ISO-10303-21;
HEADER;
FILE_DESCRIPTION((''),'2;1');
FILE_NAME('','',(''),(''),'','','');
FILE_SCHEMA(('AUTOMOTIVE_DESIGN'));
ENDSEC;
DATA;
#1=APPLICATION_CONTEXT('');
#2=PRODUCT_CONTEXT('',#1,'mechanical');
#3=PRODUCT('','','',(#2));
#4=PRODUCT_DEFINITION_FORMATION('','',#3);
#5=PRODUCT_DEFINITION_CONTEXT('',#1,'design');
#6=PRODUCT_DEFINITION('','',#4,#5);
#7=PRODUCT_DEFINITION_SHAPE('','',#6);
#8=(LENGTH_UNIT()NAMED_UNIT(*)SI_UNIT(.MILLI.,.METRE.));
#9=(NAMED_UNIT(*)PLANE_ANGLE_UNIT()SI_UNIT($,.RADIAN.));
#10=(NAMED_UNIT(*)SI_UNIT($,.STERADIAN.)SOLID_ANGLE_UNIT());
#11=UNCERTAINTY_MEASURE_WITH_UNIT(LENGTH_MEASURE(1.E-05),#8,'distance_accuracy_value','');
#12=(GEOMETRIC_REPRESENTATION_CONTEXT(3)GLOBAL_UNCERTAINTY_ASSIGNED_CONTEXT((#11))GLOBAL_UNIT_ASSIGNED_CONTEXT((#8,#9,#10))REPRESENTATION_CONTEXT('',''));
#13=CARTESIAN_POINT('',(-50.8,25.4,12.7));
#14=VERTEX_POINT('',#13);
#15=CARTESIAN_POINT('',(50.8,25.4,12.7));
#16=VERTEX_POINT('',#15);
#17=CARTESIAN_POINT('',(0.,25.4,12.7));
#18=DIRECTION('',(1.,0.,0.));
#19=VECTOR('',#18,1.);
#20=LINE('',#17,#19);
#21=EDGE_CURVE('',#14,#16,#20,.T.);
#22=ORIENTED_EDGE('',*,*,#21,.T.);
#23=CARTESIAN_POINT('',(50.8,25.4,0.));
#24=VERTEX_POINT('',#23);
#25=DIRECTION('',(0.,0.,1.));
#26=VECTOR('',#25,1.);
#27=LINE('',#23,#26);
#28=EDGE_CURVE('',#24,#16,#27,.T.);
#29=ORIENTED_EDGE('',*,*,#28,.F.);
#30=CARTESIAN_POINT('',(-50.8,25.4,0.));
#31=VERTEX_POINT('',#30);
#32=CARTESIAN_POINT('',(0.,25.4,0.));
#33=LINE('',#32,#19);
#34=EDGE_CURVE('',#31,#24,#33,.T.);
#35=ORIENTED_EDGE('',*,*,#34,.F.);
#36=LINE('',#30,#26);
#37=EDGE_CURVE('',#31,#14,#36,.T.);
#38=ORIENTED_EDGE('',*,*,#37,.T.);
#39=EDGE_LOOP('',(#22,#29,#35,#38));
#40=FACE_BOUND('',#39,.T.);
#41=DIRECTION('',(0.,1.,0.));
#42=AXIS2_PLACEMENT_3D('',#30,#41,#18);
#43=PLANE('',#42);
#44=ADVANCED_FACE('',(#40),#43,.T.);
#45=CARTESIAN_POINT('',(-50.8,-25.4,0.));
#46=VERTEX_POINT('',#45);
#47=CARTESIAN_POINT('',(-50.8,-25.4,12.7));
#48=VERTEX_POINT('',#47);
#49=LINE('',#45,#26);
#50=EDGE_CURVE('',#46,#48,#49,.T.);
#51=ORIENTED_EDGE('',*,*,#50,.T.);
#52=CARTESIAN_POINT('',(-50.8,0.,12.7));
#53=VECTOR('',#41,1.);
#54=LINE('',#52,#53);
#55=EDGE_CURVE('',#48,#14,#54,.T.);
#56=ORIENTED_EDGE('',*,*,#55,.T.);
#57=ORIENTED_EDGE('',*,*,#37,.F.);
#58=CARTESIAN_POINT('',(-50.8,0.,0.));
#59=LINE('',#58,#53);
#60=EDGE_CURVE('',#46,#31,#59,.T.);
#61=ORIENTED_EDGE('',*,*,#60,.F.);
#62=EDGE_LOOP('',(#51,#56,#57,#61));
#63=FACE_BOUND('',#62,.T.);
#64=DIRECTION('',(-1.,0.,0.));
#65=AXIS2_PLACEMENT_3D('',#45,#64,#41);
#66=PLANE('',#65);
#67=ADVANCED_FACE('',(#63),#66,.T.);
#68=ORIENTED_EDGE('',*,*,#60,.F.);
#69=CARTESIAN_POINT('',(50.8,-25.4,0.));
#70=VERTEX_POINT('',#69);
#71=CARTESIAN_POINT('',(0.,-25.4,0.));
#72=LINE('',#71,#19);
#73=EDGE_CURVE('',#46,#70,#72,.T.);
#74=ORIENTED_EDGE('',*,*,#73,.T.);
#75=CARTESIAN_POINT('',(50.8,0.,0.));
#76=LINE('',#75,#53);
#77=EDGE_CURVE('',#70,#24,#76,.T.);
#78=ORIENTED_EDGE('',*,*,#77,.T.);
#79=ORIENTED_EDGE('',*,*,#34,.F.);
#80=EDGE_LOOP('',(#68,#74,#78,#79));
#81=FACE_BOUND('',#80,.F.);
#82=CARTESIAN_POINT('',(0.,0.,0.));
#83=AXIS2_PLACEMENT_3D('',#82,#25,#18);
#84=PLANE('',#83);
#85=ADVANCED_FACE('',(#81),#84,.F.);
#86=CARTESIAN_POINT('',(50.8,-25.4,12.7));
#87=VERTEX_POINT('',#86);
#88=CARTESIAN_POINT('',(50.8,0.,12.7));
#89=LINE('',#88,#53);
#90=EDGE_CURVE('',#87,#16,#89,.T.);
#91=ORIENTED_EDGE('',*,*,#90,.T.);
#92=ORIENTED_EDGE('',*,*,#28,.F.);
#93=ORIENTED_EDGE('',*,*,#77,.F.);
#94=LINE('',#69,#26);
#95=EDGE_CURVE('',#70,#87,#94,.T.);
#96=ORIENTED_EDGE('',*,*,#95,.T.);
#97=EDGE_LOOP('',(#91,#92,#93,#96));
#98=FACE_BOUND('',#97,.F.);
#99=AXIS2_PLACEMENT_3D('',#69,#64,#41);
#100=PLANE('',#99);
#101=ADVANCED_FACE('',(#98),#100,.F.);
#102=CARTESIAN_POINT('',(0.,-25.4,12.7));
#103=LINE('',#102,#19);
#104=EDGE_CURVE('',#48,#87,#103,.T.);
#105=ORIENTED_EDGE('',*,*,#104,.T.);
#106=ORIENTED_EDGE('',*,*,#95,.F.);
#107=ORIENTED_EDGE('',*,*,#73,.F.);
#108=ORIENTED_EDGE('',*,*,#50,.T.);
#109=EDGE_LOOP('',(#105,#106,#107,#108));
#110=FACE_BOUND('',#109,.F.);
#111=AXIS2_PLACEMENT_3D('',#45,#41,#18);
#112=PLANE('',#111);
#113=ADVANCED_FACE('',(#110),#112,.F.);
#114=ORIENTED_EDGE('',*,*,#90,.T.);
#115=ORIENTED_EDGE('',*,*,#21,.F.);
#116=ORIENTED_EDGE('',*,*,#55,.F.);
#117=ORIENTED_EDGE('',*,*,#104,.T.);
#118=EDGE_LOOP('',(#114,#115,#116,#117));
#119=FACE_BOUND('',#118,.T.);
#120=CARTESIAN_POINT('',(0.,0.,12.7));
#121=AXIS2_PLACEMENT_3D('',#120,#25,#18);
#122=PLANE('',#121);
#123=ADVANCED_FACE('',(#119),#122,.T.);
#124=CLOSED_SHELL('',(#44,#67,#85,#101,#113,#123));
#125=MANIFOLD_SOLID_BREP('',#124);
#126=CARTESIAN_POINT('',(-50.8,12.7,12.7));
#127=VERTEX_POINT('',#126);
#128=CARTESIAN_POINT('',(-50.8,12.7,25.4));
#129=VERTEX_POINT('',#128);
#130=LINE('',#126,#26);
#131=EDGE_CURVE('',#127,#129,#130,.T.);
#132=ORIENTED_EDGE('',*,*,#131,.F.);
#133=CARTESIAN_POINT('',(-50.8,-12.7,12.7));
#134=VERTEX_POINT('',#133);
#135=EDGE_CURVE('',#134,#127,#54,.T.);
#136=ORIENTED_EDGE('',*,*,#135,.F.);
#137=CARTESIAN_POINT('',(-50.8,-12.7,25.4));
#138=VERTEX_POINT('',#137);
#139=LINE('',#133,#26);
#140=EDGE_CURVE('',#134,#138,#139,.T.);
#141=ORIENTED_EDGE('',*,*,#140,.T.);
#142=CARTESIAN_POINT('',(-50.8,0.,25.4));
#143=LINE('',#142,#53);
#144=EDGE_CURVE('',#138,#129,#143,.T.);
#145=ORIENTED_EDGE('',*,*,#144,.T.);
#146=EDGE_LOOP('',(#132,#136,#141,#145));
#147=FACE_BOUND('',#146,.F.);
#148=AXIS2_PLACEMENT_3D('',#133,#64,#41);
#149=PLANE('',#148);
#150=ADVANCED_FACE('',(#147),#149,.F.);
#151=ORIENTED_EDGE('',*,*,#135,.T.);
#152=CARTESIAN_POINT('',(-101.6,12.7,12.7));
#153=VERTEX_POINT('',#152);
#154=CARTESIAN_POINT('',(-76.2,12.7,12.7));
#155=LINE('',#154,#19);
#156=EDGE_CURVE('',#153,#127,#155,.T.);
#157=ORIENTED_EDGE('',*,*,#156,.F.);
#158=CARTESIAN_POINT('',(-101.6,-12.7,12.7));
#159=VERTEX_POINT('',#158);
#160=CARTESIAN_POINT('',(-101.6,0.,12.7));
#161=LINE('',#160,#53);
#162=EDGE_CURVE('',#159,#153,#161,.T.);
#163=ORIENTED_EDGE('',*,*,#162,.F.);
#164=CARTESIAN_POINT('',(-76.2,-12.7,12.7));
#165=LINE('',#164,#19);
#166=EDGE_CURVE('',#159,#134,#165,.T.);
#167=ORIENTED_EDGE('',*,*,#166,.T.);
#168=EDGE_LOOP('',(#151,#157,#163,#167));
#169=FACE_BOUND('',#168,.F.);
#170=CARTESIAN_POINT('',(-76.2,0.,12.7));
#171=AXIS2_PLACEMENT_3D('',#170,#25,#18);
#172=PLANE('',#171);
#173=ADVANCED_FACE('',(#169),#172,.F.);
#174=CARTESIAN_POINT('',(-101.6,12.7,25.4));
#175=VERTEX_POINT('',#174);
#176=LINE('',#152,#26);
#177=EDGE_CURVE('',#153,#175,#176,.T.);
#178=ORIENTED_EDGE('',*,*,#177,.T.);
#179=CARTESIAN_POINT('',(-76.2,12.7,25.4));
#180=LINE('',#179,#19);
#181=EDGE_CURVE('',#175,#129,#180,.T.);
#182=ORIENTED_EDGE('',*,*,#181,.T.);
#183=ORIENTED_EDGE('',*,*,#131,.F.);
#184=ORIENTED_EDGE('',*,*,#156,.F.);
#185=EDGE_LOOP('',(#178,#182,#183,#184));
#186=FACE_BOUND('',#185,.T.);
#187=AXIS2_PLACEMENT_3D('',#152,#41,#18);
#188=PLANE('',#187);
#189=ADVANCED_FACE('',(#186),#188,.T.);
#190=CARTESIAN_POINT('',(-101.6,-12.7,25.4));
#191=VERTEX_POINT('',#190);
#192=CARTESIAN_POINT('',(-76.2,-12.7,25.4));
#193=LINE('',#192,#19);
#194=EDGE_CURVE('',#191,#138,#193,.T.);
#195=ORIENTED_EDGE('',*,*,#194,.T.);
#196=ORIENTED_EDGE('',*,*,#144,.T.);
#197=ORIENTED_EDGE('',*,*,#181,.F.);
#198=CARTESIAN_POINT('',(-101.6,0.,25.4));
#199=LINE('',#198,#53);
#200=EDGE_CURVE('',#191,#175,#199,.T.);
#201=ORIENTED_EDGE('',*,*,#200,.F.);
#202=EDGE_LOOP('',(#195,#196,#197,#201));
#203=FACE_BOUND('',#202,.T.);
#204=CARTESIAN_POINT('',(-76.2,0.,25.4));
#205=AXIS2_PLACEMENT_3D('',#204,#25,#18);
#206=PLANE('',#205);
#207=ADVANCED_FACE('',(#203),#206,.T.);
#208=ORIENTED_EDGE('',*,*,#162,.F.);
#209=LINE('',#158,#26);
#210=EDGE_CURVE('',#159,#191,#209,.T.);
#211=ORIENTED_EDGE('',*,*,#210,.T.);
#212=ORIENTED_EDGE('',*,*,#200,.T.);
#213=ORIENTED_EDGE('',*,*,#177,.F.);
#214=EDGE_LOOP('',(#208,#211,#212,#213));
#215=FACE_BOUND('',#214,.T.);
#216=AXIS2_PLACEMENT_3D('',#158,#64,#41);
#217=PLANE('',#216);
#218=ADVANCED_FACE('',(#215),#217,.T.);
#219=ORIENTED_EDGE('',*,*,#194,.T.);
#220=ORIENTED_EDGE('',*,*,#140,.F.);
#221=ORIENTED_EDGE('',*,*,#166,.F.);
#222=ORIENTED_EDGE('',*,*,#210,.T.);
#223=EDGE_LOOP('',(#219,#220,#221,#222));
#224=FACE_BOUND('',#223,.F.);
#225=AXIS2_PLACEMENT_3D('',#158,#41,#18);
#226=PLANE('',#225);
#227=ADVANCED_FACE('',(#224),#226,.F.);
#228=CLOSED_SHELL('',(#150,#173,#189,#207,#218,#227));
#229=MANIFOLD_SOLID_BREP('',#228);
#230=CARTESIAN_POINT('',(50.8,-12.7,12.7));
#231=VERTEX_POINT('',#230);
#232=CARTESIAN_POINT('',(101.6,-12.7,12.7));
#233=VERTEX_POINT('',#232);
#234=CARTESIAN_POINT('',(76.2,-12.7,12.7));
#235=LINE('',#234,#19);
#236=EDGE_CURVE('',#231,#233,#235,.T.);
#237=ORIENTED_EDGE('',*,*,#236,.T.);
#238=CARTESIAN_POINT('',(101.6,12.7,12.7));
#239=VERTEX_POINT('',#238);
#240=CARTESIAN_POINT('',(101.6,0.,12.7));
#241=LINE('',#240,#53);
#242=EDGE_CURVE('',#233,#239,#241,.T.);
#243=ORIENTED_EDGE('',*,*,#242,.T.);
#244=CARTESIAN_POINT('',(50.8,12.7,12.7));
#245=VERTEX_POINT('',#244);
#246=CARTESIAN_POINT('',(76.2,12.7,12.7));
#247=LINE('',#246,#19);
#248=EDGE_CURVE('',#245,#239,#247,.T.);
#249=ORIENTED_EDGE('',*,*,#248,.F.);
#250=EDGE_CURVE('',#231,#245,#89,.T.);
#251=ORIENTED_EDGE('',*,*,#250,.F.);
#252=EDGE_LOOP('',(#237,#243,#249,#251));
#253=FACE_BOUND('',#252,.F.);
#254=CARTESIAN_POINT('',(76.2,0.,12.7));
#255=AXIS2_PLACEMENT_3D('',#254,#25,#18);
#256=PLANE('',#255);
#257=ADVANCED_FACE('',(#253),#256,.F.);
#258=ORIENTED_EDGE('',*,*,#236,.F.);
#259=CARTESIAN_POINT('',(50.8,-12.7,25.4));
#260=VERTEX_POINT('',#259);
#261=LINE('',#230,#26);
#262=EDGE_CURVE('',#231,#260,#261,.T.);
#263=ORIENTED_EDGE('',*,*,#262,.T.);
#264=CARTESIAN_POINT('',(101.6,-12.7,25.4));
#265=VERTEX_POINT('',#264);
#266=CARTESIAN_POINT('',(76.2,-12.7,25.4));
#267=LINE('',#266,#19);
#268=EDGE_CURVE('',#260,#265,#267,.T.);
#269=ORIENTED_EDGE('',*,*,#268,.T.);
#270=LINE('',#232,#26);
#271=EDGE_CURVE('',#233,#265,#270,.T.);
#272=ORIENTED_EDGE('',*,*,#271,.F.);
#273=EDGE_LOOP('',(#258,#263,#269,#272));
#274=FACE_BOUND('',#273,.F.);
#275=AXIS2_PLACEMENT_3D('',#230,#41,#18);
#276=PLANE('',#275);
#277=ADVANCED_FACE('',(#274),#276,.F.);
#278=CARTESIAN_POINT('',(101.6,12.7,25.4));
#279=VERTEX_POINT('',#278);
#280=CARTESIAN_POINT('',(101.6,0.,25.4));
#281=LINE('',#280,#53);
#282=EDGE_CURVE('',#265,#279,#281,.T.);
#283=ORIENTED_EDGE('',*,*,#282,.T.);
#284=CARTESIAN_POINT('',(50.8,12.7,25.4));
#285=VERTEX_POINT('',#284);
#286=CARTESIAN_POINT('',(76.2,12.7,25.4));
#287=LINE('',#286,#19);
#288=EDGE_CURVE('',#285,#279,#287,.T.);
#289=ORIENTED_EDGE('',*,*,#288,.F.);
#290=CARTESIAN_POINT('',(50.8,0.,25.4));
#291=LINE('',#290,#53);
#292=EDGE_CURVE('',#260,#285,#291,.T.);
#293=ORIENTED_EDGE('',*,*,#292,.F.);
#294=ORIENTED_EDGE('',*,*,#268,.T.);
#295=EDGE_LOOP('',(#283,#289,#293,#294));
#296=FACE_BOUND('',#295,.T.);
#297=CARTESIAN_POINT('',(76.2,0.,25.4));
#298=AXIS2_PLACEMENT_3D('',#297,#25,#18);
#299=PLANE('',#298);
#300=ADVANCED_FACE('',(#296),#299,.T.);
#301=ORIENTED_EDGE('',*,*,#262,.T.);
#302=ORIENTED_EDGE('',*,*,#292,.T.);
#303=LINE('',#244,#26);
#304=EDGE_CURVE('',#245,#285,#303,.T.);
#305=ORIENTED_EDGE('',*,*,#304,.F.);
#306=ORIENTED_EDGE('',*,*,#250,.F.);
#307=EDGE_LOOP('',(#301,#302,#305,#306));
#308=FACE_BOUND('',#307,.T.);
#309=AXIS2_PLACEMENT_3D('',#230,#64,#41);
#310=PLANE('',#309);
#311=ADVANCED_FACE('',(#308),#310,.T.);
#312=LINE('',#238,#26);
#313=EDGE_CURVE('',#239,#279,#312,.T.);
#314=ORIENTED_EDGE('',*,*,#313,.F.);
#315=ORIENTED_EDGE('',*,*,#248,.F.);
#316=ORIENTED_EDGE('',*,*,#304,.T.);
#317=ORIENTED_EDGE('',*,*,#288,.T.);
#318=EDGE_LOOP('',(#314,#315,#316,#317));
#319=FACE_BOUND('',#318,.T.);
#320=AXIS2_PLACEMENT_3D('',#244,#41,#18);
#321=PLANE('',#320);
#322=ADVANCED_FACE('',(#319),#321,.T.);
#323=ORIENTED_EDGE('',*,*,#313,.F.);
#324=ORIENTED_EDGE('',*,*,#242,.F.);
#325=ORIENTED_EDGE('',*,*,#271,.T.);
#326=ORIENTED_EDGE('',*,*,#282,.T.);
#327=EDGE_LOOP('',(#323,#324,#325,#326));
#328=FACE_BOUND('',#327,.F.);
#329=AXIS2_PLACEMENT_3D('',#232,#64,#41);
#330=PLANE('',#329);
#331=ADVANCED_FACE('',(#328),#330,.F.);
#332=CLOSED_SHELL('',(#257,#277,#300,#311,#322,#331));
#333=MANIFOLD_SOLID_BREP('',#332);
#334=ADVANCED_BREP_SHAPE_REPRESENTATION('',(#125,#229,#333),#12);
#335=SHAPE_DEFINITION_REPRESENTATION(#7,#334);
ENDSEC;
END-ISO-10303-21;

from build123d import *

# Parameters (mm, degrees)
F0_W     = 101.6
F0_H     = 50.8
F1_DEPTH = 12.7
F2_W     = 50.8
F2_H     = 25.4
F3_DEPTH = 12.7


with BuildPart() as f1:
    # F0 (on Top) → F1 (new body)
    with BuildSketch(Plane.XY):
        Rectangle(F0_W, F0_H)
    extrude(amount=F1_DEPTH)


with BuildPart() as f3:
    # F2 (on face) → F3 (new body)
    with BuildSketch(Plane.XY.offset(12.7)):
        with Locations((76.2, 0)):
            Rectangle(F2_W, F2_H)
        with Locations((-76.2, 0)):
            Rectangle(F2_W, F2_H)
    extrude(amount=F3_DEPTH)


solid = Compound([f1.part, f3.part])
